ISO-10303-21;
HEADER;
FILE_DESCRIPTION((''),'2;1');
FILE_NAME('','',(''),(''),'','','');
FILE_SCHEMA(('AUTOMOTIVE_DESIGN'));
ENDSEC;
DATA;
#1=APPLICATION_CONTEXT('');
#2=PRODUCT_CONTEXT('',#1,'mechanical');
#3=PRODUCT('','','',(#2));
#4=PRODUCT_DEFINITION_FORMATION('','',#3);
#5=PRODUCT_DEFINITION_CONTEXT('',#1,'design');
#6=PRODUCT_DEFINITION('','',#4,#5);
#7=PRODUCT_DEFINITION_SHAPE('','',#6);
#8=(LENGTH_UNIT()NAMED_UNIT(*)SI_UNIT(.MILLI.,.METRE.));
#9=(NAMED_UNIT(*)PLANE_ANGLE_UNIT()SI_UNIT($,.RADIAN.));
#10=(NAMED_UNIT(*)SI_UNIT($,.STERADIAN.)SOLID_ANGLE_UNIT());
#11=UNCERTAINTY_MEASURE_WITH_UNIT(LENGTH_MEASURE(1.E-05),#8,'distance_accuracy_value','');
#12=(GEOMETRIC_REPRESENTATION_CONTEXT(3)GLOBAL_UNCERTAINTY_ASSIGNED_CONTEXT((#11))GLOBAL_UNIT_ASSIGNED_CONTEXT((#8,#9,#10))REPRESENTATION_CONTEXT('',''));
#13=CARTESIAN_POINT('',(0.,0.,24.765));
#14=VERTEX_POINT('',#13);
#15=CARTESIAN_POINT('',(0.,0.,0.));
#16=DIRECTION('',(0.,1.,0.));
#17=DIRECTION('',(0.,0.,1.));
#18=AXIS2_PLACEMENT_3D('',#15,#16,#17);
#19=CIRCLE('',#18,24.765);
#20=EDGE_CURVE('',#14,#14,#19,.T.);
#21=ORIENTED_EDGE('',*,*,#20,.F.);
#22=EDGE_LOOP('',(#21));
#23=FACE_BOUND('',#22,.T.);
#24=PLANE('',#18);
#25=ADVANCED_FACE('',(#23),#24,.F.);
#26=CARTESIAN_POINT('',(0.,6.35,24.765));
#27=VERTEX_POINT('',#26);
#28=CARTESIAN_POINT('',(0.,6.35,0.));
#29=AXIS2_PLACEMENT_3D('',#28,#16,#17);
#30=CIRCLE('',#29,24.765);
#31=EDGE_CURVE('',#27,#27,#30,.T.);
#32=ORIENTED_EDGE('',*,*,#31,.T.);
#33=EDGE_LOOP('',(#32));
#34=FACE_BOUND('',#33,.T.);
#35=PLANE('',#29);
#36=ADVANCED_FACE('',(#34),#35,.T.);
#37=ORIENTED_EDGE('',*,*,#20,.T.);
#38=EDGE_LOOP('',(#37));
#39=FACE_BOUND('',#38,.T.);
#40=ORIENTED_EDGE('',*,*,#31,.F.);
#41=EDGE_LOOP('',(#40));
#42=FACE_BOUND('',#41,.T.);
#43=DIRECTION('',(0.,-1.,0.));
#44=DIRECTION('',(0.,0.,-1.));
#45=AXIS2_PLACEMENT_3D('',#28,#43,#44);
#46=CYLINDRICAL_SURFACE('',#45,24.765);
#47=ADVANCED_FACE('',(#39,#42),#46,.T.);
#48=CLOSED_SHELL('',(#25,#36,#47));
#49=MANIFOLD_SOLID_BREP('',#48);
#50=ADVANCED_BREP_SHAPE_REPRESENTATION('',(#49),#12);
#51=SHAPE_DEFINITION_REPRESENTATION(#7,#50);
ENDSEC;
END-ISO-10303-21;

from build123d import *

# Parameters (mm, degrees)
SKETCH1_R           = 24.765
BOSS_EXTRUDE1_DEPTH = 6.35


with BuildPart() as part:
    # Sketch1 → Boss-Extrude1 (new body)
    with BuildSketch(Plane(origin=(0, 0, 0), x_dir=(1, 0, 0), z_dir=(0, 1, 0))):
        with Locations(Location((0, 0, 0), (0, 0, 270))):  # turned: the seam where the file's is
            Circle(SKETCH1_R)
    extrude(amount=BOSS_EXTRUDE1_DEPTH)


solid = part.part
